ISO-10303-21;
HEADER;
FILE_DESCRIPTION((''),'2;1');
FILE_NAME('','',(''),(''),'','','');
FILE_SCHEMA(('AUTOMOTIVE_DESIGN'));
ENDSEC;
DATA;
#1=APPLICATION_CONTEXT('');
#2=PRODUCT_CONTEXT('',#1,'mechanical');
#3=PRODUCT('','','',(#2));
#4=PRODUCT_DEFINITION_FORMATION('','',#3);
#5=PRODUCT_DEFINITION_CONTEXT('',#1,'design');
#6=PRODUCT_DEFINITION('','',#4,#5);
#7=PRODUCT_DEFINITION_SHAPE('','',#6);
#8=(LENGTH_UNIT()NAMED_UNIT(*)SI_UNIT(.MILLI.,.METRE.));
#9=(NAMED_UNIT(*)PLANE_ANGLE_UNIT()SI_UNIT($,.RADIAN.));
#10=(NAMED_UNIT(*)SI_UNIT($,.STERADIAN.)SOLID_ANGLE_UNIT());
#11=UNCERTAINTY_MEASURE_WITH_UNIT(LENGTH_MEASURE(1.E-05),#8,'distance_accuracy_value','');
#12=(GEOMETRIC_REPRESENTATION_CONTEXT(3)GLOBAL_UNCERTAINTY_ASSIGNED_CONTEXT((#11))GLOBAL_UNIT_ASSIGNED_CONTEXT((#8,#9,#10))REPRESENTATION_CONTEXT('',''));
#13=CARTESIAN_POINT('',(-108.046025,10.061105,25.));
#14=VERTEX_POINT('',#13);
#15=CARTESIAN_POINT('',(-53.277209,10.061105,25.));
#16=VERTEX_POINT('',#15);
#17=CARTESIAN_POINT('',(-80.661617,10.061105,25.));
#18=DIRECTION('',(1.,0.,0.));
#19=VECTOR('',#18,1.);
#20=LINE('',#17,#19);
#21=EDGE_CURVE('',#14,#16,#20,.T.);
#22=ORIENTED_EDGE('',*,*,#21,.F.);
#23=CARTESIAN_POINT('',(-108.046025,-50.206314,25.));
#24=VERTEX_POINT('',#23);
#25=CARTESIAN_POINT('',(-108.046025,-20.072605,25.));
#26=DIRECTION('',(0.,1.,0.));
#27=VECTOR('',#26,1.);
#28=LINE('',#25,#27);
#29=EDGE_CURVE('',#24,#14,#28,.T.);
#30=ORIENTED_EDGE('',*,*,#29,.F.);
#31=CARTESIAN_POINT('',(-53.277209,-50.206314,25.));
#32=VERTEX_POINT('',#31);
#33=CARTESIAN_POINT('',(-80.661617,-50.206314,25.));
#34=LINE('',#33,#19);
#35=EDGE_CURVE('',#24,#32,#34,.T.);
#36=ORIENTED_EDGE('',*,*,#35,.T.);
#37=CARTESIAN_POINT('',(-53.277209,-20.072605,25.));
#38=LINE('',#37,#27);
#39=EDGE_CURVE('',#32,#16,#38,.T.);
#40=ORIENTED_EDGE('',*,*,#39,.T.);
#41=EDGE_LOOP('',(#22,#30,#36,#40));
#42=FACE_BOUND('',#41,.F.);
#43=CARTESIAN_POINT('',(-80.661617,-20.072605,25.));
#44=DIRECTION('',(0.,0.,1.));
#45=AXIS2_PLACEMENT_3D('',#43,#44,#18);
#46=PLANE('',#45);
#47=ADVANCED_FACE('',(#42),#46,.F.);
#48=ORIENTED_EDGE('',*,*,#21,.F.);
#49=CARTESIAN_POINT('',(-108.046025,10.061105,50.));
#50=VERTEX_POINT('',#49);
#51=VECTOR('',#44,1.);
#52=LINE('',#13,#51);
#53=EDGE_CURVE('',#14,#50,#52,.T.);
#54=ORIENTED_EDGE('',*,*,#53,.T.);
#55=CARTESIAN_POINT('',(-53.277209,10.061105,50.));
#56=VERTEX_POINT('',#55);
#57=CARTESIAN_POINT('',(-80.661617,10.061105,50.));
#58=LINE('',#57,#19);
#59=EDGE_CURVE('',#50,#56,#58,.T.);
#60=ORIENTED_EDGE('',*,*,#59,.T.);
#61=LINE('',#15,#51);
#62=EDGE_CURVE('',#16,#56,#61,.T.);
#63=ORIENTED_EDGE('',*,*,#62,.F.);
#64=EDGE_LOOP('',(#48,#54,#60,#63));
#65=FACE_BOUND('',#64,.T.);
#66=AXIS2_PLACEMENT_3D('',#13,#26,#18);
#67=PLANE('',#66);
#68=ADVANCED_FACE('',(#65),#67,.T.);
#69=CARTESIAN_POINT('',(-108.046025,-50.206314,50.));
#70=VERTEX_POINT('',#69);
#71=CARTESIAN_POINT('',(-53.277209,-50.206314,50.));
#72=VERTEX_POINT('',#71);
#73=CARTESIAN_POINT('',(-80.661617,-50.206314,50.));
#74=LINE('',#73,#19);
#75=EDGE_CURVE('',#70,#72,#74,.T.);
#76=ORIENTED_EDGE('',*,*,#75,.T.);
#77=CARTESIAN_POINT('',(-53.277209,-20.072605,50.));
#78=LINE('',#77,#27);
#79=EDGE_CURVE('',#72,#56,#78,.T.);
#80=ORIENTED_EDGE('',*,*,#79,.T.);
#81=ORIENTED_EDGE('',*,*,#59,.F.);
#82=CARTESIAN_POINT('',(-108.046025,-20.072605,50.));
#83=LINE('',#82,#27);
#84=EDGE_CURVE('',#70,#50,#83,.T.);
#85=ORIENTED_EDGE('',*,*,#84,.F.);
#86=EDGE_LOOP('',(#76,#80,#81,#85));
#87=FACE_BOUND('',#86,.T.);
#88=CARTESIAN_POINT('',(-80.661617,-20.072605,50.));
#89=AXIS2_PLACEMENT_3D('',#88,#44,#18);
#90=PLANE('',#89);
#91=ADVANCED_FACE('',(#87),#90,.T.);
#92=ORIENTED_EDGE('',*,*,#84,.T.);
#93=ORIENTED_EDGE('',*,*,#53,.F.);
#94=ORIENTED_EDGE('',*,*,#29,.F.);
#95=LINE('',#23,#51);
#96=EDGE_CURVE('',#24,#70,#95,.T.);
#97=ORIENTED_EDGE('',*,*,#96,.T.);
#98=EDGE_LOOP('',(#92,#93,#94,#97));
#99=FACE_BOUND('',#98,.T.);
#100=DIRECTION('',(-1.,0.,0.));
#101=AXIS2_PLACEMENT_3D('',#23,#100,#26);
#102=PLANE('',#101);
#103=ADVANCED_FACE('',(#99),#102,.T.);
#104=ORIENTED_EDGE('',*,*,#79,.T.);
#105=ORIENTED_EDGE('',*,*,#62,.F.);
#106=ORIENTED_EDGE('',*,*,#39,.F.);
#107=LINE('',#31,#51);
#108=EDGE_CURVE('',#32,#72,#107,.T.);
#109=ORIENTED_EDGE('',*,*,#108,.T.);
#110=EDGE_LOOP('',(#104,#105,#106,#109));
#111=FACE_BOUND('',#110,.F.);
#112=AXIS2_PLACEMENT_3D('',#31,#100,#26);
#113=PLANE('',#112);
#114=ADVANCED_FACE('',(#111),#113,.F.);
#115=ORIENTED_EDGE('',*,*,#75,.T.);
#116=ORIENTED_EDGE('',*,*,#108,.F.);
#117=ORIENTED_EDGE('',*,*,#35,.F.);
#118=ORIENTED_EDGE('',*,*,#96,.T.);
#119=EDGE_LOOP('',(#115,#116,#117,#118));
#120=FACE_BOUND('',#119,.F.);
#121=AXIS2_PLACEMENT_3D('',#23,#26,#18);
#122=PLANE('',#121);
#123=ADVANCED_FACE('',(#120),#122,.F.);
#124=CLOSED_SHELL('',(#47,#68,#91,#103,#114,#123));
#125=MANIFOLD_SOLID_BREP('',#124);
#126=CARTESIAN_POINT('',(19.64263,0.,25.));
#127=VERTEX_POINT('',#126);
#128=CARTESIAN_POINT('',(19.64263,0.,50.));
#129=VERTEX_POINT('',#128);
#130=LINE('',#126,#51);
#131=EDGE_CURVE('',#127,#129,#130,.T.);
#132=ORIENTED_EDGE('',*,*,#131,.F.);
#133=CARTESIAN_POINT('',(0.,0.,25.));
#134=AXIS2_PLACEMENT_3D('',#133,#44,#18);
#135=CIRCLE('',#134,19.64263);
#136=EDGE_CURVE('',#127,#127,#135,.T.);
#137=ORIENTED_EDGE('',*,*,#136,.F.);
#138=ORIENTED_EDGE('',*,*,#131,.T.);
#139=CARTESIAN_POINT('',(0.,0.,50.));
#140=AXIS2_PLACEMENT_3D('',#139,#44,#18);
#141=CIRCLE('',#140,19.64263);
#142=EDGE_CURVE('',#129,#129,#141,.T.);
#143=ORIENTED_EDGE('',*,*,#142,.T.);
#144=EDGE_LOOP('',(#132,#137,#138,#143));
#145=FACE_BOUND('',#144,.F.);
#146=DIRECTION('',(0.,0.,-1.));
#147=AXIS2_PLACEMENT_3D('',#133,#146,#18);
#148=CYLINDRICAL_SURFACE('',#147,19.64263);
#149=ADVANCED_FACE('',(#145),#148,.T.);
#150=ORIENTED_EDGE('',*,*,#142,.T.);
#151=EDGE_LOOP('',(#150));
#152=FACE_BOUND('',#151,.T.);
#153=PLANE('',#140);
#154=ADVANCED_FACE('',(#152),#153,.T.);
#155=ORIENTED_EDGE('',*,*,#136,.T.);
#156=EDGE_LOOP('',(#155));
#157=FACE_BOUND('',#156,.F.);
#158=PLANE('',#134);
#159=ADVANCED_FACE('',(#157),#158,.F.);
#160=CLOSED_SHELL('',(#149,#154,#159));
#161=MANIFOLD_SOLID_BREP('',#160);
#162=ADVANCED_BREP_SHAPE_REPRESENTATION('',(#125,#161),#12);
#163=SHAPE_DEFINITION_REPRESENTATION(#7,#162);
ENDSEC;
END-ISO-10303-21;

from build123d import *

# Parameters (mm, degrees)
F2_R     = 19.64263
F2_W     = 54.768816
F2_H     = 60.267419
F3_DEPTH = 25


with BuildPart() as f3:
    # F2 (on offset) → F3 (new body)
    with BuildSketch(Plane.XY.offset(25)):
        Circle(F2_R)
        with Locations((-80.661617, -20.072605)):
            Rectangle(F2_W, F2_H)
    extrude(amount=F3_DEPTH)


solid = f3.part
